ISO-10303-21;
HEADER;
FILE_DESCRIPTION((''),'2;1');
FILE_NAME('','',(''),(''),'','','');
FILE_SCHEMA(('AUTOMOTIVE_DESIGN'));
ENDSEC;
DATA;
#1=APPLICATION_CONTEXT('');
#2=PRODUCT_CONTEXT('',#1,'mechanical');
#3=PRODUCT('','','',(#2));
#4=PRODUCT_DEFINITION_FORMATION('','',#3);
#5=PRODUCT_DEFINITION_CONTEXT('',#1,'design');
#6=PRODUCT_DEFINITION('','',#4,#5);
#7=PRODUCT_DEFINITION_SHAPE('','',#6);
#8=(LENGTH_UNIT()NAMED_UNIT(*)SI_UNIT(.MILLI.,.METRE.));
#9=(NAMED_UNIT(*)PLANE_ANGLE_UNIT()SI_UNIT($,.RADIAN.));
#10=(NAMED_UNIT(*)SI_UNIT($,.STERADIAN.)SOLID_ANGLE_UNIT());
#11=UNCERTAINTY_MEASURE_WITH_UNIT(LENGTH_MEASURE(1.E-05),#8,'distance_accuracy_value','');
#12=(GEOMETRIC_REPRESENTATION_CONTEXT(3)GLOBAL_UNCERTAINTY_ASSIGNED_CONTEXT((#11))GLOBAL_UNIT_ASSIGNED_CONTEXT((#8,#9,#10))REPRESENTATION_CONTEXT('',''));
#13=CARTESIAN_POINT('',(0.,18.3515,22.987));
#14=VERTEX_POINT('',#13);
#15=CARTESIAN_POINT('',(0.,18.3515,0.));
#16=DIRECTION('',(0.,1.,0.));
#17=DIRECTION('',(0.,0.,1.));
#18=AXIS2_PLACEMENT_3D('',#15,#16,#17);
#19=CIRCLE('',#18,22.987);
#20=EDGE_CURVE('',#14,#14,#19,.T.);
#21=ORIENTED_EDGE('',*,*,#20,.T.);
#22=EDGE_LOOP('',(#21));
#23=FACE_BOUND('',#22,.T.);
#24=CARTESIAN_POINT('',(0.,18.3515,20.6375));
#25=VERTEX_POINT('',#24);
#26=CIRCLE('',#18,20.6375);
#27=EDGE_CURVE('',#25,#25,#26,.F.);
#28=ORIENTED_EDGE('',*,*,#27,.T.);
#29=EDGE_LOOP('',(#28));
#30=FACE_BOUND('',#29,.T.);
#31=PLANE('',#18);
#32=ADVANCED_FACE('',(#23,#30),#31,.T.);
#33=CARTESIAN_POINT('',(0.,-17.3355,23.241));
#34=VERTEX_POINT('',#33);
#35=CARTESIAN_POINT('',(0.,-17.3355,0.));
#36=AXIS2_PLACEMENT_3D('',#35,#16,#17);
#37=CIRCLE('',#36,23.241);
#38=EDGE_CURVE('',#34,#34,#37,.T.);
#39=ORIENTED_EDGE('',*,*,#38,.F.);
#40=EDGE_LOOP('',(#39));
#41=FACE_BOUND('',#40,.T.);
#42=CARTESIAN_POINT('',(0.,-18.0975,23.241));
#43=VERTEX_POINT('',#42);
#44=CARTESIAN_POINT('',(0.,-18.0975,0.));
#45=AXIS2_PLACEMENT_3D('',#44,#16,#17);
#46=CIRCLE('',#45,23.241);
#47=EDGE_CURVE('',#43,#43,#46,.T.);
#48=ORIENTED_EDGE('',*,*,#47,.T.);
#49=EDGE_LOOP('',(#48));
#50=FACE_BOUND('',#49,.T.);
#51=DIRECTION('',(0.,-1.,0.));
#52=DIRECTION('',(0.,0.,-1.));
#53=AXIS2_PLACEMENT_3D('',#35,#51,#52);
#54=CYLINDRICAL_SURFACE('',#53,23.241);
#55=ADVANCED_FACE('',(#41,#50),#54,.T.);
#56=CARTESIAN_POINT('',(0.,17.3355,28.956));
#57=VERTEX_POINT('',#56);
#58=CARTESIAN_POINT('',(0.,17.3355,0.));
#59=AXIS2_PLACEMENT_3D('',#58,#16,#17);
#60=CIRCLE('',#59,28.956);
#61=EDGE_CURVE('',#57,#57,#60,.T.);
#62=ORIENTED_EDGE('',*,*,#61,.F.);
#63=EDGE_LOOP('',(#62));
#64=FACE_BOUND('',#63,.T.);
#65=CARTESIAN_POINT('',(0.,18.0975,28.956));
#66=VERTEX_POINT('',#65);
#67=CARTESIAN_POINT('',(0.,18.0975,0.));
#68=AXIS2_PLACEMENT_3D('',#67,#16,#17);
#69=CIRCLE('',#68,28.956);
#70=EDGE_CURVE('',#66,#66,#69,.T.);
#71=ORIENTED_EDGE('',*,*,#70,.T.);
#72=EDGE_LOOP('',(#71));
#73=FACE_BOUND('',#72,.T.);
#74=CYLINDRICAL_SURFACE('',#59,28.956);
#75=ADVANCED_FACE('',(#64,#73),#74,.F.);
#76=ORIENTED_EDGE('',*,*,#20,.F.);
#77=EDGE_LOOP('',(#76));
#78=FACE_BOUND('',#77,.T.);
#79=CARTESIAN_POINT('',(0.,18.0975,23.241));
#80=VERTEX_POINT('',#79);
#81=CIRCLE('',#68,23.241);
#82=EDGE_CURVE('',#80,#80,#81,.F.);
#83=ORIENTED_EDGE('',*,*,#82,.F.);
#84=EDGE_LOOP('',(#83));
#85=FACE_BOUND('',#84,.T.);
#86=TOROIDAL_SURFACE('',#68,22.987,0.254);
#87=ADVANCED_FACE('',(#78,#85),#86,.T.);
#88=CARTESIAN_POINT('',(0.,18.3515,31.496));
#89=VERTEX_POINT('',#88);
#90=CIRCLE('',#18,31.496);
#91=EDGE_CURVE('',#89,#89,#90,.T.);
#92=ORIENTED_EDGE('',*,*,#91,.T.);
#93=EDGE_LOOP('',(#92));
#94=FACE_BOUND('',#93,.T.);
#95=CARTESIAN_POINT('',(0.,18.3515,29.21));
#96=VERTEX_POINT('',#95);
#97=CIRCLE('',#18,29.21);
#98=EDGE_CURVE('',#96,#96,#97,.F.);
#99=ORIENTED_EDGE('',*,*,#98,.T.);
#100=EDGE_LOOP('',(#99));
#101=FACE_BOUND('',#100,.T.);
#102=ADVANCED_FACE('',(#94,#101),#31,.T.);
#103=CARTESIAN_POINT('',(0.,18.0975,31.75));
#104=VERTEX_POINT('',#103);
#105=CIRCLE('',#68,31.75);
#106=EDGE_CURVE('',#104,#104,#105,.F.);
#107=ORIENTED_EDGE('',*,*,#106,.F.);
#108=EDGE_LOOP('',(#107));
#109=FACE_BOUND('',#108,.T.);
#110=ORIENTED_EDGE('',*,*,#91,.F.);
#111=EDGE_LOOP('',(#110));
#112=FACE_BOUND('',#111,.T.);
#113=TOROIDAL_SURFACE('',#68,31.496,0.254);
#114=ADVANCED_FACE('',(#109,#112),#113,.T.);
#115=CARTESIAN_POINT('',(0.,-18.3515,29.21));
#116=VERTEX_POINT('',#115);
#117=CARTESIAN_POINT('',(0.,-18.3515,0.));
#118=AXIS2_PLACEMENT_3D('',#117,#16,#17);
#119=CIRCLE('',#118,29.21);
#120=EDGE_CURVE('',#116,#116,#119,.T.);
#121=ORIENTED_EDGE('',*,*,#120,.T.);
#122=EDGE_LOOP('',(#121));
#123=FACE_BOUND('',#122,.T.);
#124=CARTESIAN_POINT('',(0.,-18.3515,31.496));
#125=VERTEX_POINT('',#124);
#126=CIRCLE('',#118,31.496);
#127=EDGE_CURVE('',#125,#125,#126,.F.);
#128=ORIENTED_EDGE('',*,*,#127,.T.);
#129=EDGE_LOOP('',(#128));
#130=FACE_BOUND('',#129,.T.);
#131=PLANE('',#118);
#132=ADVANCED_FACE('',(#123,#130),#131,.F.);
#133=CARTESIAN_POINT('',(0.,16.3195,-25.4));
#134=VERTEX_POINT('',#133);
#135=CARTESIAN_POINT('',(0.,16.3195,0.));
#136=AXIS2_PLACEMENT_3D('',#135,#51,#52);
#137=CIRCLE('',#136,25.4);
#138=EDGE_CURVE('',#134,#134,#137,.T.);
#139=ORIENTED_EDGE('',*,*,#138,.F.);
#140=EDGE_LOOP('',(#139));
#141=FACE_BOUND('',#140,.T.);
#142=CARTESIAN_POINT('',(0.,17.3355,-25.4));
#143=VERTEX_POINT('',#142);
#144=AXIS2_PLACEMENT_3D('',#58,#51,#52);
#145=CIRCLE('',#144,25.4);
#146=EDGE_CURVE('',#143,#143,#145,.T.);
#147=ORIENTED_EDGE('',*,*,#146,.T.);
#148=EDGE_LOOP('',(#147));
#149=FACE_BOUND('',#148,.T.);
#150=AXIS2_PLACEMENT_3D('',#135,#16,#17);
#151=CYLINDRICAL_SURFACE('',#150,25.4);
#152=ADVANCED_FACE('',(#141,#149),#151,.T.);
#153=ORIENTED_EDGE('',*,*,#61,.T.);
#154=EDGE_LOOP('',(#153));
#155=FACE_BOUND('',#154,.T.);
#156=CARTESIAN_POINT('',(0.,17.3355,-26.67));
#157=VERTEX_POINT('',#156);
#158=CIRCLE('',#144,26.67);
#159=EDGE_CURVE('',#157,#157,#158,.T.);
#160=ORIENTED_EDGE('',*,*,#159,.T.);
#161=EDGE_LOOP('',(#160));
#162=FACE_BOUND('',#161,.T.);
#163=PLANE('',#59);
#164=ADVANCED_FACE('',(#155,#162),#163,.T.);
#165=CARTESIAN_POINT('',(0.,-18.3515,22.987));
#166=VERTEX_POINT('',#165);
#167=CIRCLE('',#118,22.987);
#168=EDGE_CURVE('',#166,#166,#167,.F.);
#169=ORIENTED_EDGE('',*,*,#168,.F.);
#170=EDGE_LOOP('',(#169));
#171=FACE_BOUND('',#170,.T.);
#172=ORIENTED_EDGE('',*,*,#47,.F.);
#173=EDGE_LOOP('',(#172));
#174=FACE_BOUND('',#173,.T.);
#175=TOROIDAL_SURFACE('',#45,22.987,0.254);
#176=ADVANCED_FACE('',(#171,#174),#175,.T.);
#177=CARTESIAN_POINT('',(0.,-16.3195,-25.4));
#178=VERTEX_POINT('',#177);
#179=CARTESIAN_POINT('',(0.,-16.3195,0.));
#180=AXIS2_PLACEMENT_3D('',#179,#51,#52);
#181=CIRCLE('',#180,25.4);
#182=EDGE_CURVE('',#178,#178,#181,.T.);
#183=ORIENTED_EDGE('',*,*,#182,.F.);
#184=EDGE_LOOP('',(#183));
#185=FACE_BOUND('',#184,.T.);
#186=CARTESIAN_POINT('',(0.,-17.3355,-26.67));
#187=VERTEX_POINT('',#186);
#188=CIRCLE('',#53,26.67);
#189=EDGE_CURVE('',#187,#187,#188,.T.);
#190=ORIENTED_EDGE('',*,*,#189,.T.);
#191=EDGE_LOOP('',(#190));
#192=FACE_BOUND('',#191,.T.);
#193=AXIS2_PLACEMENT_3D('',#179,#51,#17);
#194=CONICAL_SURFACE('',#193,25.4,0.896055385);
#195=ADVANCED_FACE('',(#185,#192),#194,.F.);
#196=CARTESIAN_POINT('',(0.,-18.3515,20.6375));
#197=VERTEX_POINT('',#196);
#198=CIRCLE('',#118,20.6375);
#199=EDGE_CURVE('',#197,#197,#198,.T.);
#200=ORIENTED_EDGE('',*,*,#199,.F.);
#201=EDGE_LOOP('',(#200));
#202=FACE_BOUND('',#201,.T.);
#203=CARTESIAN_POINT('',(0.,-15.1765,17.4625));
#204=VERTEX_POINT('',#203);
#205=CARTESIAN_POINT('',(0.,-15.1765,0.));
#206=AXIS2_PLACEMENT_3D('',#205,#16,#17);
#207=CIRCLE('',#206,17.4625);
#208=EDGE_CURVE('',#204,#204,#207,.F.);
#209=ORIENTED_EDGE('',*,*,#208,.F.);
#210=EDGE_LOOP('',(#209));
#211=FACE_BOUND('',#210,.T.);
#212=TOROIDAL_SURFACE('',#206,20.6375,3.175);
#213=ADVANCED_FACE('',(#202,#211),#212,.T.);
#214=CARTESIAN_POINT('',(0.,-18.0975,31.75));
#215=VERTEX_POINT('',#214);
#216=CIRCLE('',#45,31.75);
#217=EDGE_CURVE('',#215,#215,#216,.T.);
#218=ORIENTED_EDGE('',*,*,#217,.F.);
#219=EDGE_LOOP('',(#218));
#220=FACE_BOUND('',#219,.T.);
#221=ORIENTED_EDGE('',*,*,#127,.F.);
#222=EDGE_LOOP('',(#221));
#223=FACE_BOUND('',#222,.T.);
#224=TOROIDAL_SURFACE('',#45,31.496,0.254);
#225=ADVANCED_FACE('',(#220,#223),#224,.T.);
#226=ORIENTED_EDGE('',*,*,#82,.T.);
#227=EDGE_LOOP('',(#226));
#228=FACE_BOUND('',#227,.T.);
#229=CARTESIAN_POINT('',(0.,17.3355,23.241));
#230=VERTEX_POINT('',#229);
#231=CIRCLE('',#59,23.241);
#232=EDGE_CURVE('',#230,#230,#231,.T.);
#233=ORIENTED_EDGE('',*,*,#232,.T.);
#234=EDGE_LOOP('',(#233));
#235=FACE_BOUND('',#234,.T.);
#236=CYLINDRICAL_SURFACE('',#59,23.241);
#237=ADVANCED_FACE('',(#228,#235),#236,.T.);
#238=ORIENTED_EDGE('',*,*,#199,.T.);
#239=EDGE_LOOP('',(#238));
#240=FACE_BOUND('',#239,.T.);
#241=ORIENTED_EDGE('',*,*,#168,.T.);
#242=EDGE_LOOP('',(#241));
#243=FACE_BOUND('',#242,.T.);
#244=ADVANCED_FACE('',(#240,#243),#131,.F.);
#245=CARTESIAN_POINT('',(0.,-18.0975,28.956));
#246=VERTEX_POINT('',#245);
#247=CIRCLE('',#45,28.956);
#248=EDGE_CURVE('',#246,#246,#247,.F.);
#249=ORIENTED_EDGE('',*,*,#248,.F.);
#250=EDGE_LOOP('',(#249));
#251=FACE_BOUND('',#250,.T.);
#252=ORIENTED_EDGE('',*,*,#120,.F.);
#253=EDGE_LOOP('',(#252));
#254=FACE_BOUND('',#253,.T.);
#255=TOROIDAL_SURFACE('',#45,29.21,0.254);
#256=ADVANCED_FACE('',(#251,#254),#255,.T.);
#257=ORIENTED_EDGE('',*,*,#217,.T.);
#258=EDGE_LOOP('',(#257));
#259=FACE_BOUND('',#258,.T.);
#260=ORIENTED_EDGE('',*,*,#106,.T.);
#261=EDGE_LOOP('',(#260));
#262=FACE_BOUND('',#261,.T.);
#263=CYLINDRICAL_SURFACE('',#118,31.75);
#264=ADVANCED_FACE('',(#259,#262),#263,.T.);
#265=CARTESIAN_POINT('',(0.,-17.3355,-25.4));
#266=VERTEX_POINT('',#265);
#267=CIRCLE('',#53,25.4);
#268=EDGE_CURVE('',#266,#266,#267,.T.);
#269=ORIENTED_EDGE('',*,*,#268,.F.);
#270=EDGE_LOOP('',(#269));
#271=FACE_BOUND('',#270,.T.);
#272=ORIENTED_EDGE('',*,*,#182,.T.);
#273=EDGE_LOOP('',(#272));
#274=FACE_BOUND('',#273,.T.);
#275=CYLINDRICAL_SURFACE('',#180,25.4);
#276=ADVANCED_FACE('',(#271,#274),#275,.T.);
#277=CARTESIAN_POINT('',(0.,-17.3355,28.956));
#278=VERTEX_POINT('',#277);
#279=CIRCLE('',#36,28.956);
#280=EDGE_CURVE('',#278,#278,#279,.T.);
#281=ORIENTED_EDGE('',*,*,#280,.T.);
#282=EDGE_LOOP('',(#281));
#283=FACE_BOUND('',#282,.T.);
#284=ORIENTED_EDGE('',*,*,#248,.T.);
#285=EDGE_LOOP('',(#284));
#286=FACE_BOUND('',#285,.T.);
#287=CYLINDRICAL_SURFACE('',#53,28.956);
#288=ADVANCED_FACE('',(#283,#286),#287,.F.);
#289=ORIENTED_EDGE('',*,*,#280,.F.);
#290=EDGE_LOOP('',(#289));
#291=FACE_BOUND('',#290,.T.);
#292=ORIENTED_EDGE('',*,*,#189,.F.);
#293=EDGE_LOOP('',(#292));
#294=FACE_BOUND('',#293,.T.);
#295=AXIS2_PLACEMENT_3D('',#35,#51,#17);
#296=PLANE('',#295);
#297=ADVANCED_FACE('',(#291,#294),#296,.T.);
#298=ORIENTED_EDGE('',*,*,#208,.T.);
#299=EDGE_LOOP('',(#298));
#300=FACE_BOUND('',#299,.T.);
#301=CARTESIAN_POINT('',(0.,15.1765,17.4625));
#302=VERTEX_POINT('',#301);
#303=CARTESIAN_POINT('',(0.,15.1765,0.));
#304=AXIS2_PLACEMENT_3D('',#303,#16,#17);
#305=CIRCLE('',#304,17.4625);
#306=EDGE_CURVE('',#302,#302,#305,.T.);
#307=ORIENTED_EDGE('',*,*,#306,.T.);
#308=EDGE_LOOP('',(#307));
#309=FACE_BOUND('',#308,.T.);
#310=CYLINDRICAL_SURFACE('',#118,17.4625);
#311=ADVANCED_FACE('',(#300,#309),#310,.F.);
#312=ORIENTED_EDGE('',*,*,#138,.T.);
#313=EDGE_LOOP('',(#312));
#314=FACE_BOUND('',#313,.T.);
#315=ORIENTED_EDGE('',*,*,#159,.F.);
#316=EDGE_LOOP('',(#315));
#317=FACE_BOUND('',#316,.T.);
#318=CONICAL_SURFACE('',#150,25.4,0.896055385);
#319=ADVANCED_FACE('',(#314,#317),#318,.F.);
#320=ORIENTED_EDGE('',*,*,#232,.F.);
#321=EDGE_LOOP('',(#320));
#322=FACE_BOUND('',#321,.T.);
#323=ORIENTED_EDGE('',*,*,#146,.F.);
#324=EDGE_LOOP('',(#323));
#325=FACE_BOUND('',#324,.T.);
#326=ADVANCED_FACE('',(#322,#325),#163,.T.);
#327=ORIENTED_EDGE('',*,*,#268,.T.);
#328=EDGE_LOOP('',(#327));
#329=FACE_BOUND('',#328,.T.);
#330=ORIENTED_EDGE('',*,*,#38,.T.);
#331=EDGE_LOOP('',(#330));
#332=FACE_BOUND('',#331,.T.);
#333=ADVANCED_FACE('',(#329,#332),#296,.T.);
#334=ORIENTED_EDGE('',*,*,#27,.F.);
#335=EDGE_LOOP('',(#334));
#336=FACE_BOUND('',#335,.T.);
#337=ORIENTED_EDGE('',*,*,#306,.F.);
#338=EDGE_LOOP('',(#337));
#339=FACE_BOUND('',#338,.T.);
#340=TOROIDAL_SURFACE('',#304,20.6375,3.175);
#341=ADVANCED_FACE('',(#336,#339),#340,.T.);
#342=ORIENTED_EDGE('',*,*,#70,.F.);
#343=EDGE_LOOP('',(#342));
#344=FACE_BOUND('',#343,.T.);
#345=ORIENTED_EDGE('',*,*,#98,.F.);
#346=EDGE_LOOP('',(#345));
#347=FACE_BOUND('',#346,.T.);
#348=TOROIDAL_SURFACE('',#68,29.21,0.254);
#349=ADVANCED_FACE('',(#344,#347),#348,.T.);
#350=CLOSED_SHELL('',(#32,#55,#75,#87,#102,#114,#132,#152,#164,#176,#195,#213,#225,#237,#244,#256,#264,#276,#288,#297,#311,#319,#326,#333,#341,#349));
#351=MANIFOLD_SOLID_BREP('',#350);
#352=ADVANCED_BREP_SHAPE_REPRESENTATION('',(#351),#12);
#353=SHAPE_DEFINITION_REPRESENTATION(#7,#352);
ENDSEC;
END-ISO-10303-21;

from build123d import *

# Parameters (mm, degrees)
BOSS_EXTRUDE1_DEPTH      = 18.3515
BOSS_EXTRUDE1_DEPTH_BACK = 18.3515
SKETCH1_R                = 31.75
SKETCH1_R_2              = 17.4625
SKETCH2_R                = 28.956
SKETCH2_R_2              = 23.241
CUT_EXTRUDE1_DEPTH       = 1.016
SKETCH3_R                = 26.67
SKETCH3_R_2              = 25.4
CUT_EXTRUDE2_DEPTH       = 1.016
FILLET1_R                = 3.175
FILLET2_R                = 0.254


with BuildPart() as part:
    # Sketch1 → Boss-Extrude1 (new, two sides: drawn at the far end of the back side and taken through both)
    with BuildSketch(Plane(origin=(0, 0, 0), x_dir=(1, 0, 0), z_dir=(0, 1, 0)).offset(-BOSS_EXTRUDE1_DEPTH_BACK)):
        Circle(SKETCH1_R)
        Circle(SKETCH1_R_2, mode=Mode.SUBTRACT)
    extrude(amount=BOSS_EXTRUDE1_DEPTH + BOSS_EXTRUDE1_DEPTH_BACK)

    # Sketch2 → Cut-Extrude1 (cut)
    with BuildSketch(Plane(origin=(0, 18.3515, 0), x_dir=(1, 0, 0), z_dir=(0, 1, 0))):
        Circle(SKETCH2_R)
        Circle(SKETCH2_R_2, mode=Mode.SUBTRACT)
    cut_extrude1 = extrude(amount=-CUT_EXTRUDE1_DEPTH, mode=Mode.SUBTRACT)

    # Mirror1: Cut-Extrude1 across plane
    add(cut_extrude1.mirror(Plane.ZX), mode=Mode.SUBTRACT)

    # Sketch3 → Cut-Extrude2 (cut)
    with BuildSketch(Plane.XZ.offset(17.3355)):
        Circle(SKETCH3_R)
        Circle(SKETCH3_R_2, mode=Mode.SUBTRACT)
    cut_extrude2 = extrude(amount=-CUT_EXTRUDE2_DEPTH, mode=Mode.SUBTRACT)

    # Fillet1
    fillet1_edges = [part.edges().sort_by_distance(p)[0] for p in [
        (-17.4625, -18.3515, 0),
        (-17.4625, 18.3515, 0),
    ]]
    fillet(fillet1_edges, radius=FILLET1_R)

    # Mirror4: Cut-Extrude2 across plane
    add(cut_extrude2.mirror(Plane.ZX), mode=Mode.SUBTRACT)

    # Sketch4 → Revolve1 (revolve)
    with BuildSketch(Plane(origin=(0, 0, 0), x_dir=(0, 0, -1), z_dir=(1, 0, 0))):
        Polygon((-25.4, 16.3195), (-26.67, 17.3355), (-26.67, 16.3195), align=None)
    revolve1 = revolve(axis=Axis((0, 0, 0), (0, 1, 0)))

    # Mirror5: Revolve1 across plane
    add(revolve1.mirror(Plane.ZX))

    # Fillet2
    fillet2_edges = [part.edges().sort_by_distance(p)[0] for p in [
        (-28.956, -18.3515, 0),
        (-31.75, -18.3515, 0),
        (-28.956, 18.3515, 0),
        (-31.75, 18.3515, 0),
        (-23.241, 18.3515, 0),
        (-23.241, -18.3515, 0),
    ]]
    fillet(fillet2_edges, radius=FILLET2_R)


solid = part.part
